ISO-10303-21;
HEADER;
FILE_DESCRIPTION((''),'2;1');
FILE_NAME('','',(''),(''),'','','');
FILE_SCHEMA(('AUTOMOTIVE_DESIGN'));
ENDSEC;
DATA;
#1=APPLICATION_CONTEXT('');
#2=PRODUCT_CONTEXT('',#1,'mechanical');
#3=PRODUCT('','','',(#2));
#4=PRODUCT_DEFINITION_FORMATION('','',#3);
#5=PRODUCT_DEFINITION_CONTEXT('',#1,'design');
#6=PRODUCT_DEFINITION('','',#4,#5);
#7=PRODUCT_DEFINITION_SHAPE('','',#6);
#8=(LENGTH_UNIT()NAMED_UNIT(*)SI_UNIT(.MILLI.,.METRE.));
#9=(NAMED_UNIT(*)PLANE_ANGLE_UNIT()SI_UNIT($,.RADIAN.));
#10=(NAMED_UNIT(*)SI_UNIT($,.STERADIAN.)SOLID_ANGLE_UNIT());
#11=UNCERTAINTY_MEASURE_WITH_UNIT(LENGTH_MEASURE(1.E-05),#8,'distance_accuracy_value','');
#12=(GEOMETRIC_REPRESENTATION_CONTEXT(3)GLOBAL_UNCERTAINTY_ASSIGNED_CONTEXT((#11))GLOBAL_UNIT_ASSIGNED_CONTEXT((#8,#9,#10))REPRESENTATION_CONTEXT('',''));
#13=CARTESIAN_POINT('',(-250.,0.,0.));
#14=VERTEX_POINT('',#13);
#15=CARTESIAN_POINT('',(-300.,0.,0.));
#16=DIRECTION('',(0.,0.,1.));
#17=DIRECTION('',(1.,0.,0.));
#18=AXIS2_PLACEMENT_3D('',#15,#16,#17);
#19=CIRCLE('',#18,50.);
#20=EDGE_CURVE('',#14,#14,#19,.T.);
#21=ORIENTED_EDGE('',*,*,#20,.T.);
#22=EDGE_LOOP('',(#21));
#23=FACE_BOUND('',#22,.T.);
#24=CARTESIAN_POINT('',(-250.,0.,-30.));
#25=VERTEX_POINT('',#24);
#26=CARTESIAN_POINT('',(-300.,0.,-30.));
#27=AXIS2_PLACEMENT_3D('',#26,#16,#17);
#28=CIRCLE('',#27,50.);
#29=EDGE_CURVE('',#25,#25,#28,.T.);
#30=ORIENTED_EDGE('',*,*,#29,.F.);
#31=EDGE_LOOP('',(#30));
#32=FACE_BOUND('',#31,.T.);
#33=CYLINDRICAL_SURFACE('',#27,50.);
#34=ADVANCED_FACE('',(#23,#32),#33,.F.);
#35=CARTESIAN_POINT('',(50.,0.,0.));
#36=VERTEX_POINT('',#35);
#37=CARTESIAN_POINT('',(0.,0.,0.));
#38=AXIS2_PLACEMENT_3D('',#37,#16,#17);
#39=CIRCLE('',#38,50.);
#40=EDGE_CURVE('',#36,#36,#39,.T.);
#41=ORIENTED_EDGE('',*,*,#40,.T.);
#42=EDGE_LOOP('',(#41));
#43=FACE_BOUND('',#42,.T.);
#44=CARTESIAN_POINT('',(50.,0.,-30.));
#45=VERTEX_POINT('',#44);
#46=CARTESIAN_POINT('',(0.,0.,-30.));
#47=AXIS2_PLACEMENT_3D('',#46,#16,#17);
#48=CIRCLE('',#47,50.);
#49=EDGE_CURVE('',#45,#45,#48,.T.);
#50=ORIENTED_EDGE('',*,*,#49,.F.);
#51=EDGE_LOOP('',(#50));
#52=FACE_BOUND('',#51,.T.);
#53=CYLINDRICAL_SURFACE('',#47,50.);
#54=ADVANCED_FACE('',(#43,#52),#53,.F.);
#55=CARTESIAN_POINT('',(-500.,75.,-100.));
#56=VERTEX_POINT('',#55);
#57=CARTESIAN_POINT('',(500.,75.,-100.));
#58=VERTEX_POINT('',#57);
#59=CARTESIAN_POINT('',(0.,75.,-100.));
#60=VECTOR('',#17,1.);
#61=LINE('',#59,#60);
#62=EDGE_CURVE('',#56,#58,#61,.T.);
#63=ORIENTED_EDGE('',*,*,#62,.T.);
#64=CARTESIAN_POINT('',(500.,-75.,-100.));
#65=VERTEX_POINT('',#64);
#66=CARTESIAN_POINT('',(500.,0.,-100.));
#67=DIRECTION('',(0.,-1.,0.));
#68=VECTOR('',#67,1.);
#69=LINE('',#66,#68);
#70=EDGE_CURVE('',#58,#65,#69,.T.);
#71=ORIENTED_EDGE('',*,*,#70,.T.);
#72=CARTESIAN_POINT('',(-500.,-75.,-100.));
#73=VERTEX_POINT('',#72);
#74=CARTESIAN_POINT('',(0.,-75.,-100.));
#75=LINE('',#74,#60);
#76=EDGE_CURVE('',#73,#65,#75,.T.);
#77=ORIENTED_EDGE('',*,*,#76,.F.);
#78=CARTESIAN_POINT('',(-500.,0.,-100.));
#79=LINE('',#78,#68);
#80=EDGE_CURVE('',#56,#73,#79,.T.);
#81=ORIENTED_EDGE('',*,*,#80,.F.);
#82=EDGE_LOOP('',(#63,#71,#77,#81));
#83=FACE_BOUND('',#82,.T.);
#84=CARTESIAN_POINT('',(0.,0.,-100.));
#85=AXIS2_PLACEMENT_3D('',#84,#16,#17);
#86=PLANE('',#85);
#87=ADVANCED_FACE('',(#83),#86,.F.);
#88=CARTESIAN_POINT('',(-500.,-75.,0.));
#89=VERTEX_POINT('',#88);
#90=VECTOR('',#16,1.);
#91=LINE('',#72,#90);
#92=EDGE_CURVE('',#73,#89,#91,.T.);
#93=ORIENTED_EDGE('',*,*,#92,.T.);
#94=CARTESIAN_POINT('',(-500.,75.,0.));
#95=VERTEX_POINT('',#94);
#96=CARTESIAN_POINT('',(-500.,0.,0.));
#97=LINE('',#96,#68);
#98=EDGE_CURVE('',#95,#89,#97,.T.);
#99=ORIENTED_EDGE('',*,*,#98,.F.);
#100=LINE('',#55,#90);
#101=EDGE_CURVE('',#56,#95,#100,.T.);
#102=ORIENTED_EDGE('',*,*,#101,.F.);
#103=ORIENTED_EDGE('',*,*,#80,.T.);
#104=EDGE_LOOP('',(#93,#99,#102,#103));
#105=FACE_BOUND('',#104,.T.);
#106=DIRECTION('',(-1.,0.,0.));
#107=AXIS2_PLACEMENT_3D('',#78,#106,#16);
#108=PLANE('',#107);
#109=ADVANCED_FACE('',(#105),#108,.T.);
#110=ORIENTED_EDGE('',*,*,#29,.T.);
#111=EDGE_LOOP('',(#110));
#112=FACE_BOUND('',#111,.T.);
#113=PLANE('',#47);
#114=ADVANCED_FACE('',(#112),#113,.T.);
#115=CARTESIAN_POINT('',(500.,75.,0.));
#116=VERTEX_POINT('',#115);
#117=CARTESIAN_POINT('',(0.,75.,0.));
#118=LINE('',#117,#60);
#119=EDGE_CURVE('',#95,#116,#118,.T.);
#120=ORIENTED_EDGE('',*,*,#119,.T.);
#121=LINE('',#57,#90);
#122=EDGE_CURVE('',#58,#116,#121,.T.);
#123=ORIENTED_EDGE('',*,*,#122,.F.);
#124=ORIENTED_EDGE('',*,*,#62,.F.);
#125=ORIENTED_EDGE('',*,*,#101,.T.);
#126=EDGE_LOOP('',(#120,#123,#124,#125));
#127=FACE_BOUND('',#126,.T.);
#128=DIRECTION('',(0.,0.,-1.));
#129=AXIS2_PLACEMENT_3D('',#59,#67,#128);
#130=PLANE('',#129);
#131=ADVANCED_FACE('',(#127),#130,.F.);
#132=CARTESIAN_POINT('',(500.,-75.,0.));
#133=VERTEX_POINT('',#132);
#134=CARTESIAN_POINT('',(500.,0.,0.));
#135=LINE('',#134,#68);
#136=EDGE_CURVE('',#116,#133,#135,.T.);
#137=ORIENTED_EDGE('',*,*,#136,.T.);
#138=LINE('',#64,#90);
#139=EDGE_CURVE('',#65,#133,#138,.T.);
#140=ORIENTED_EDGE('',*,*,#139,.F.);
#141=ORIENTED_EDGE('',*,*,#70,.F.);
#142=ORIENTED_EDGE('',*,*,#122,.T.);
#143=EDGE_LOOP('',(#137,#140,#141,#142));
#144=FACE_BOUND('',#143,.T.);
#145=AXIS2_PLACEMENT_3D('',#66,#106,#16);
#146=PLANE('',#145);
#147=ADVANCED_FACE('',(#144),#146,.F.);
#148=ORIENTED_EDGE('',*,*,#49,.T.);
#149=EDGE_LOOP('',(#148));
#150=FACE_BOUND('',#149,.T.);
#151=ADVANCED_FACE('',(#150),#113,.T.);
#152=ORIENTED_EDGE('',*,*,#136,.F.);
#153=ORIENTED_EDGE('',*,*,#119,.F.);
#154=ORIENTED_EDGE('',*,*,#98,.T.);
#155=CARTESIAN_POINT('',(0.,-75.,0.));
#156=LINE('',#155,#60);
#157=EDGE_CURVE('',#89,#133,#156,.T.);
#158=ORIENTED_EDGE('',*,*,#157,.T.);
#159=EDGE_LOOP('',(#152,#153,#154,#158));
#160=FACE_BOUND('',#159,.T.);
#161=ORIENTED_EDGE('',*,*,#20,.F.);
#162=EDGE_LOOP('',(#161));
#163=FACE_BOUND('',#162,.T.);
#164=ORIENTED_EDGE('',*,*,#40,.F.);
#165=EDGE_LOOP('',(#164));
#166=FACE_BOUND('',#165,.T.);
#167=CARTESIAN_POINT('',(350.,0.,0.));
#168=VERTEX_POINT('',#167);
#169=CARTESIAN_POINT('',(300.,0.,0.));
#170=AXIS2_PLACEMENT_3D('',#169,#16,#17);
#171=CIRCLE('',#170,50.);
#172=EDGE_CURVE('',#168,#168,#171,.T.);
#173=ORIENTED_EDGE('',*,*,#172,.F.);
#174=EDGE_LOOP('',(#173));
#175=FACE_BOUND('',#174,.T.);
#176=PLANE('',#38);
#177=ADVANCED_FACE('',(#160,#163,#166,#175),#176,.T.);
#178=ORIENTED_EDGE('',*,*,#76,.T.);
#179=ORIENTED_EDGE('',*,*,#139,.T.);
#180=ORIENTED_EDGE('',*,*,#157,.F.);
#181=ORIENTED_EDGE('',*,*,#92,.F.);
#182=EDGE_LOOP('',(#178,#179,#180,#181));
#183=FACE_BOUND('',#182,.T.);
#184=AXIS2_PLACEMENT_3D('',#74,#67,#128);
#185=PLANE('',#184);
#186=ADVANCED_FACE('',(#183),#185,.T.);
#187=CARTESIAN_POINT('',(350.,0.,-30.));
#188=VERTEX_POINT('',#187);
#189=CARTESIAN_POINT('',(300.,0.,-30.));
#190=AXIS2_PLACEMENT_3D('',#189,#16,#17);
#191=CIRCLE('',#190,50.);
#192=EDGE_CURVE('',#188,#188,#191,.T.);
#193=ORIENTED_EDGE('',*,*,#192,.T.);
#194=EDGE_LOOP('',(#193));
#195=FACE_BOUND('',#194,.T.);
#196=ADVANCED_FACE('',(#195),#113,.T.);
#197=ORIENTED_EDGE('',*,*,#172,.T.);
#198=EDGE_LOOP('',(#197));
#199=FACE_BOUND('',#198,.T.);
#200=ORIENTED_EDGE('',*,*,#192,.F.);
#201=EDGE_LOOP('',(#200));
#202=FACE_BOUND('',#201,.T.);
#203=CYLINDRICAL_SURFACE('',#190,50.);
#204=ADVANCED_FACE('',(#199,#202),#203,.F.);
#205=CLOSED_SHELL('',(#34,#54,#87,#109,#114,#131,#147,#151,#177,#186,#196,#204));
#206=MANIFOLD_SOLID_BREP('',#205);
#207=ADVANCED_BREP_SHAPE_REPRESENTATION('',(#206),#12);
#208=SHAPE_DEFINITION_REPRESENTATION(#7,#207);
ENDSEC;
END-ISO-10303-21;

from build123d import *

# Parameters (mm, degrees)
SKETCH2_W           = 1000
SKETCH2_H           = 150
BOSS_EXTRUDE2_DEPTH = 100
SKETCH2_5_R         = 50
CUT_EXTRUDE1_DEPTH  = 30


with BuildPart() as part:
    # Sketch2 → Boss-Extrude2 (new body)
    with BuildSketch(Plane.XY):
        Rectangle(SKETCH2_W, SKETCH2_H)
    extrude(amount=-BOSS_EXTRUDE2_DEPTH)

    # Sketch2<5> → Cut-Extrude1 (cut)
    with BuildSketch(Plane.XY):
        Circle(SKETCH2_5_R)
        with Locations((300, 0)):
            Circle(SKETCH2_5_R)
        with Locations((-300, 0)):
            Circle(SKETCH2_5_R)
    extrude(amount=-CUT_EXTRUDE1_DEPTH, mode=Mode.SUBTRACT)


solid = part.part
